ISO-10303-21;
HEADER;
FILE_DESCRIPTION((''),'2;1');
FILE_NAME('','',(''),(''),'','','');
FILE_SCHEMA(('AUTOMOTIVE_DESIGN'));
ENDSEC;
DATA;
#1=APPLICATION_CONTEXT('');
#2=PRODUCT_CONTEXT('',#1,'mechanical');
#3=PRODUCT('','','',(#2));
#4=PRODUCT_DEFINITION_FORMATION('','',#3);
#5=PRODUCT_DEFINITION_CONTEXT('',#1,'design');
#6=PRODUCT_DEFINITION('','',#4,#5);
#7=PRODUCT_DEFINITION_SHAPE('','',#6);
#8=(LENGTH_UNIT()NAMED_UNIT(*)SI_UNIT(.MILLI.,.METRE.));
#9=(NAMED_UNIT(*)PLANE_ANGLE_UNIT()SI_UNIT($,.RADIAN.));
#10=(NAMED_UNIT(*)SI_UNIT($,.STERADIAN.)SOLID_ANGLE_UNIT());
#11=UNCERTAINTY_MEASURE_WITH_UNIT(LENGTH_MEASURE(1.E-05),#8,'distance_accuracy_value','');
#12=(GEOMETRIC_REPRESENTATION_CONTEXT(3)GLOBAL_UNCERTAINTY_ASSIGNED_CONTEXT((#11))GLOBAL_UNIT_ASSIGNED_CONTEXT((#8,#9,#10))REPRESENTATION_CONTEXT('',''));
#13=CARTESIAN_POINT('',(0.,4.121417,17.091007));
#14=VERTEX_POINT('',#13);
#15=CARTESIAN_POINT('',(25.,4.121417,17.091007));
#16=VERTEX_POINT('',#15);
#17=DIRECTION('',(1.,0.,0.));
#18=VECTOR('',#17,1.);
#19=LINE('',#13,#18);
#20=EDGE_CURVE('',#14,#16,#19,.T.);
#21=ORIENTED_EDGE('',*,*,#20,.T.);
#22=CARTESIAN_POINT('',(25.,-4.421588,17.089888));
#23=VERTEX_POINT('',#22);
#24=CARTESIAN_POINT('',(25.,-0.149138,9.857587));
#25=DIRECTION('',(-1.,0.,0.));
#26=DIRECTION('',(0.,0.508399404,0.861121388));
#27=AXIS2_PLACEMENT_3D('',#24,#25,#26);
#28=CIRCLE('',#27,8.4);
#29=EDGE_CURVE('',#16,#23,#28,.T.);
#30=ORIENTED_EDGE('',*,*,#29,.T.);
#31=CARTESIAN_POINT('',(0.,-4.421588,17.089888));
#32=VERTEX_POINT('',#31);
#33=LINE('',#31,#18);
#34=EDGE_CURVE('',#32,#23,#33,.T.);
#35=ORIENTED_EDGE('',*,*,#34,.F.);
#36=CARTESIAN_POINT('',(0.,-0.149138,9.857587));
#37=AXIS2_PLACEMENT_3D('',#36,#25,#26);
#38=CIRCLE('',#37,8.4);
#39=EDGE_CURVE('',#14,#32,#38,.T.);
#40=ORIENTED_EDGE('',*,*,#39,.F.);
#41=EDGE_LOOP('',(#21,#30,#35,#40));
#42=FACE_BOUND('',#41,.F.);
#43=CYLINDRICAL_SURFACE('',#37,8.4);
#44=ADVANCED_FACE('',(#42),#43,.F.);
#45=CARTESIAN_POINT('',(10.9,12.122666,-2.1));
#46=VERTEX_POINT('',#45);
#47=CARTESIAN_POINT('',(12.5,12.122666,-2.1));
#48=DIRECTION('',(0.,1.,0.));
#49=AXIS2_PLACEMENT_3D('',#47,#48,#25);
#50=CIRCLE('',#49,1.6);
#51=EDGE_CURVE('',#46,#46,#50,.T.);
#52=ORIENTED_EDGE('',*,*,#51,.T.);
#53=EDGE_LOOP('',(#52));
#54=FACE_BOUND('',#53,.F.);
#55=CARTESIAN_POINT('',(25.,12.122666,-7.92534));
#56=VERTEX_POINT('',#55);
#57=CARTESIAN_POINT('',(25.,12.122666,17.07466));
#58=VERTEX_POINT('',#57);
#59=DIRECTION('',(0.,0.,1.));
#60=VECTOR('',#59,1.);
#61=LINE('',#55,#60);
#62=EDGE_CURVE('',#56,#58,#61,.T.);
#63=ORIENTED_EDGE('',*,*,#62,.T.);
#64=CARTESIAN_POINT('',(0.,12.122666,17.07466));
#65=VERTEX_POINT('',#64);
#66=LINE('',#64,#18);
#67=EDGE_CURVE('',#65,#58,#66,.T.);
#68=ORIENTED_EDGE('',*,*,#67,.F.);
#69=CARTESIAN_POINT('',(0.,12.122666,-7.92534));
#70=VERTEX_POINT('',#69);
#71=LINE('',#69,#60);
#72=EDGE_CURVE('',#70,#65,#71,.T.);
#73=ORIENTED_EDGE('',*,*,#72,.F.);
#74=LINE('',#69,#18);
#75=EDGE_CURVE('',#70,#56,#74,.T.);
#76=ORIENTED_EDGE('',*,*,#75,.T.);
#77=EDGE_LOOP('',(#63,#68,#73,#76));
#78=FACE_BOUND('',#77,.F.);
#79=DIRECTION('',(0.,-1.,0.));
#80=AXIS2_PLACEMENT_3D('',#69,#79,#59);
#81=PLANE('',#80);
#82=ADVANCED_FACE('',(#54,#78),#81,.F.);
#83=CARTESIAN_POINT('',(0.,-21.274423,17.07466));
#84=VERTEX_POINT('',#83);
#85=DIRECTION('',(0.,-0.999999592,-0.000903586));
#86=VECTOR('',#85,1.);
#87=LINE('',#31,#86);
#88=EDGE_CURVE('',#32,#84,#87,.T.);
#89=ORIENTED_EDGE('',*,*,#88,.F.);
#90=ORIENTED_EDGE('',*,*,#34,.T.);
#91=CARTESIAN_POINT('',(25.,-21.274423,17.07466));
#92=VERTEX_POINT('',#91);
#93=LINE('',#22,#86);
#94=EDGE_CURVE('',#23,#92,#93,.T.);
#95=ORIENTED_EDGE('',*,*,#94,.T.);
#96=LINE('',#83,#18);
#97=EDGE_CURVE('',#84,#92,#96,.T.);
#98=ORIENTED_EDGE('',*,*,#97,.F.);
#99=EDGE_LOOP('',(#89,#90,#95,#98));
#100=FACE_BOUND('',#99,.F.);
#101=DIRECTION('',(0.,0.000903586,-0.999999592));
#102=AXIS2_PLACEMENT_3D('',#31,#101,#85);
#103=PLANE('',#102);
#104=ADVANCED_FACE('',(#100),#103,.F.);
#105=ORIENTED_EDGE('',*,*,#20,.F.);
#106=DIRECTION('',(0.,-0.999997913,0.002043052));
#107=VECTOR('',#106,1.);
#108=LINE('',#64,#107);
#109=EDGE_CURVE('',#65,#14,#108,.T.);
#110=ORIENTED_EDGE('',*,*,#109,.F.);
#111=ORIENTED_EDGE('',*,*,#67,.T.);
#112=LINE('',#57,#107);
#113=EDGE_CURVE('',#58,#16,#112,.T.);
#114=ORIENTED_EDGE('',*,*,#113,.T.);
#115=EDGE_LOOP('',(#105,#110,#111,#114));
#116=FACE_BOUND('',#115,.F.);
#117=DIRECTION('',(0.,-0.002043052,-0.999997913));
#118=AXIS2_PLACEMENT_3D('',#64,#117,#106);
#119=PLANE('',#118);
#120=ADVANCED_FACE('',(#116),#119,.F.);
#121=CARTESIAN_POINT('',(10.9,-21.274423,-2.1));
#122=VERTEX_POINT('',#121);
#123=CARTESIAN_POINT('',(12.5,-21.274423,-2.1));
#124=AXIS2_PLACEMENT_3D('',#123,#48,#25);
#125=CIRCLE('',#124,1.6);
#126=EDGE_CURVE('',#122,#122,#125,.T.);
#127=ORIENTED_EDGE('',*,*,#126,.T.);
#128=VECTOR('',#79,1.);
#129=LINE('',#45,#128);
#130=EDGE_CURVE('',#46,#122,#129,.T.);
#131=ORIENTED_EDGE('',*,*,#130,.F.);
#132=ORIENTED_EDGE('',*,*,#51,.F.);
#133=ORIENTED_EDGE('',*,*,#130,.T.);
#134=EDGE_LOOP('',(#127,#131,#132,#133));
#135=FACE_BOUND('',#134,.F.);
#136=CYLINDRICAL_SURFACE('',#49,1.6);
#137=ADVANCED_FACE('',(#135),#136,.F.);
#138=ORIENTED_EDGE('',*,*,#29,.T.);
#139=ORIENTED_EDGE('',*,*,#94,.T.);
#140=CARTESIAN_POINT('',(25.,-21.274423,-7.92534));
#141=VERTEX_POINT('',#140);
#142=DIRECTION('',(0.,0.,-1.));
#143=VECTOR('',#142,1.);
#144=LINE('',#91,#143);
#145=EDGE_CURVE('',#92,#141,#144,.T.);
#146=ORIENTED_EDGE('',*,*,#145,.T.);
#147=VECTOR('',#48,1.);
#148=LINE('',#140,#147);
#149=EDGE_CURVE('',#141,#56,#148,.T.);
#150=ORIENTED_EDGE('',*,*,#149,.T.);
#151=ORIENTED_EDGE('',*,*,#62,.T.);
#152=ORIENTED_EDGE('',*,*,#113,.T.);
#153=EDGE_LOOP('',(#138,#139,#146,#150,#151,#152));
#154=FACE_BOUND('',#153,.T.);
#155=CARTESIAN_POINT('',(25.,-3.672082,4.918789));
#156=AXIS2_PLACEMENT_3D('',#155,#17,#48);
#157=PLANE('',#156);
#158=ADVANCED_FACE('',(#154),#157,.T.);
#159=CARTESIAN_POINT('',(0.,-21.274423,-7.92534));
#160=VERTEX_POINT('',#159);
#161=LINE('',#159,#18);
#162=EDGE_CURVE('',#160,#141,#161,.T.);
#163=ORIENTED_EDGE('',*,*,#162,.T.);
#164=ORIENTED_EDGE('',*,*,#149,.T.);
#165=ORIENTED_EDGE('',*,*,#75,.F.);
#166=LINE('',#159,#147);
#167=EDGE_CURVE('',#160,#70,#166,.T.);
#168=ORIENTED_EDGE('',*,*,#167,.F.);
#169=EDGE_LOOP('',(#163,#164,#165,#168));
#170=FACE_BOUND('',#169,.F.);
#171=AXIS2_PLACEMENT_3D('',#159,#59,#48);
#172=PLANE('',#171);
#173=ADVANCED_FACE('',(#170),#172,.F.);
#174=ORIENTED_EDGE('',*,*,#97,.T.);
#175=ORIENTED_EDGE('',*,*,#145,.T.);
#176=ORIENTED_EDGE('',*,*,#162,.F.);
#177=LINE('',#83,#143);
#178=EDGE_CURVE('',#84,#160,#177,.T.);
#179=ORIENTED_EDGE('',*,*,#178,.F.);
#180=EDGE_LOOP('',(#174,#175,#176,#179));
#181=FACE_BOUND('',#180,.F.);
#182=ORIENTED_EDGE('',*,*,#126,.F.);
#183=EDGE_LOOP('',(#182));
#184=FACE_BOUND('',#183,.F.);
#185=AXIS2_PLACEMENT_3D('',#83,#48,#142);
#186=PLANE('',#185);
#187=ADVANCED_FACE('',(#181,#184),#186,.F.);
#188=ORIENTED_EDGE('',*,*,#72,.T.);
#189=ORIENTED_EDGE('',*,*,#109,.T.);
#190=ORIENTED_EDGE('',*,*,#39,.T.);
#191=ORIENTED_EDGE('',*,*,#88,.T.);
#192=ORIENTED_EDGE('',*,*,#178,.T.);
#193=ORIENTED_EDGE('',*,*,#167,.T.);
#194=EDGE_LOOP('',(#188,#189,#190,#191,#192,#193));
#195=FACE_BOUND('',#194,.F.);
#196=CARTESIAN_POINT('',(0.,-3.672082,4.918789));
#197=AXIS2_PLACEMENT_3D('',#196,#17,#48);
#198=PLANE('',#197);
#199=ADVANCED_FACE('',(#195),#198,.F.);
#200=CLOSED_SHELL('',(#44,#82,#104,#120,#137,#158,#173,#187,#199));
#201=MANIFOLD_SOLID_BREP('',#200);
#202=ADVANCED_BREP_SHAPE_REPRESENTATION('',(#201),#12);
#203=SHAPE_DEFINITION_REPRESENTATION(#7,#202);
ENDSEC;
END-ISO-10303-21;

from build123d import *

# Parameters (mm, degrees)
F1_DEPTH = 25
F2_R     = 1.6
F3_DEPTH = 39.6


with BuildPart() as f1:
    # F0 (on Right) → F1 (new body)
    with BuildSketch(Plane.YZ):
        with BuildLine():
            ThreePointArc((4.121417, 17.091007), (-0.148037, 1.457587), (-4.421588, 17.089888))
            Line((-4.421588, 17.089888), (-21.274423, 17.07466))
            Line((-21.274423, 17.07466), (-21.274423, -7.92534))
            Line((-21.274423, -7.92534), (12.122666, -7.92534))
            Line((12.122666, -7.92534), (12.122666, 17.07466))
            Line((12.122666, 17.07466), (4.121417, 17.091007))
        make_face()
    extrude(amount=F1_DEPTH)

    # F2 (on face) → F3 (cut)
    with BuildSketch(Plane(origin=(0, 12.122666, 0), x_dir=(-1, 0, 0), z_dir=(0, 1, 0))):
        with Locations((-12.5, -2.1)):
            Circle(F2_R)
    extrude(amount=-F3_DEPTH, mode=Mode.SUBTRACT)


solid = f1.part
